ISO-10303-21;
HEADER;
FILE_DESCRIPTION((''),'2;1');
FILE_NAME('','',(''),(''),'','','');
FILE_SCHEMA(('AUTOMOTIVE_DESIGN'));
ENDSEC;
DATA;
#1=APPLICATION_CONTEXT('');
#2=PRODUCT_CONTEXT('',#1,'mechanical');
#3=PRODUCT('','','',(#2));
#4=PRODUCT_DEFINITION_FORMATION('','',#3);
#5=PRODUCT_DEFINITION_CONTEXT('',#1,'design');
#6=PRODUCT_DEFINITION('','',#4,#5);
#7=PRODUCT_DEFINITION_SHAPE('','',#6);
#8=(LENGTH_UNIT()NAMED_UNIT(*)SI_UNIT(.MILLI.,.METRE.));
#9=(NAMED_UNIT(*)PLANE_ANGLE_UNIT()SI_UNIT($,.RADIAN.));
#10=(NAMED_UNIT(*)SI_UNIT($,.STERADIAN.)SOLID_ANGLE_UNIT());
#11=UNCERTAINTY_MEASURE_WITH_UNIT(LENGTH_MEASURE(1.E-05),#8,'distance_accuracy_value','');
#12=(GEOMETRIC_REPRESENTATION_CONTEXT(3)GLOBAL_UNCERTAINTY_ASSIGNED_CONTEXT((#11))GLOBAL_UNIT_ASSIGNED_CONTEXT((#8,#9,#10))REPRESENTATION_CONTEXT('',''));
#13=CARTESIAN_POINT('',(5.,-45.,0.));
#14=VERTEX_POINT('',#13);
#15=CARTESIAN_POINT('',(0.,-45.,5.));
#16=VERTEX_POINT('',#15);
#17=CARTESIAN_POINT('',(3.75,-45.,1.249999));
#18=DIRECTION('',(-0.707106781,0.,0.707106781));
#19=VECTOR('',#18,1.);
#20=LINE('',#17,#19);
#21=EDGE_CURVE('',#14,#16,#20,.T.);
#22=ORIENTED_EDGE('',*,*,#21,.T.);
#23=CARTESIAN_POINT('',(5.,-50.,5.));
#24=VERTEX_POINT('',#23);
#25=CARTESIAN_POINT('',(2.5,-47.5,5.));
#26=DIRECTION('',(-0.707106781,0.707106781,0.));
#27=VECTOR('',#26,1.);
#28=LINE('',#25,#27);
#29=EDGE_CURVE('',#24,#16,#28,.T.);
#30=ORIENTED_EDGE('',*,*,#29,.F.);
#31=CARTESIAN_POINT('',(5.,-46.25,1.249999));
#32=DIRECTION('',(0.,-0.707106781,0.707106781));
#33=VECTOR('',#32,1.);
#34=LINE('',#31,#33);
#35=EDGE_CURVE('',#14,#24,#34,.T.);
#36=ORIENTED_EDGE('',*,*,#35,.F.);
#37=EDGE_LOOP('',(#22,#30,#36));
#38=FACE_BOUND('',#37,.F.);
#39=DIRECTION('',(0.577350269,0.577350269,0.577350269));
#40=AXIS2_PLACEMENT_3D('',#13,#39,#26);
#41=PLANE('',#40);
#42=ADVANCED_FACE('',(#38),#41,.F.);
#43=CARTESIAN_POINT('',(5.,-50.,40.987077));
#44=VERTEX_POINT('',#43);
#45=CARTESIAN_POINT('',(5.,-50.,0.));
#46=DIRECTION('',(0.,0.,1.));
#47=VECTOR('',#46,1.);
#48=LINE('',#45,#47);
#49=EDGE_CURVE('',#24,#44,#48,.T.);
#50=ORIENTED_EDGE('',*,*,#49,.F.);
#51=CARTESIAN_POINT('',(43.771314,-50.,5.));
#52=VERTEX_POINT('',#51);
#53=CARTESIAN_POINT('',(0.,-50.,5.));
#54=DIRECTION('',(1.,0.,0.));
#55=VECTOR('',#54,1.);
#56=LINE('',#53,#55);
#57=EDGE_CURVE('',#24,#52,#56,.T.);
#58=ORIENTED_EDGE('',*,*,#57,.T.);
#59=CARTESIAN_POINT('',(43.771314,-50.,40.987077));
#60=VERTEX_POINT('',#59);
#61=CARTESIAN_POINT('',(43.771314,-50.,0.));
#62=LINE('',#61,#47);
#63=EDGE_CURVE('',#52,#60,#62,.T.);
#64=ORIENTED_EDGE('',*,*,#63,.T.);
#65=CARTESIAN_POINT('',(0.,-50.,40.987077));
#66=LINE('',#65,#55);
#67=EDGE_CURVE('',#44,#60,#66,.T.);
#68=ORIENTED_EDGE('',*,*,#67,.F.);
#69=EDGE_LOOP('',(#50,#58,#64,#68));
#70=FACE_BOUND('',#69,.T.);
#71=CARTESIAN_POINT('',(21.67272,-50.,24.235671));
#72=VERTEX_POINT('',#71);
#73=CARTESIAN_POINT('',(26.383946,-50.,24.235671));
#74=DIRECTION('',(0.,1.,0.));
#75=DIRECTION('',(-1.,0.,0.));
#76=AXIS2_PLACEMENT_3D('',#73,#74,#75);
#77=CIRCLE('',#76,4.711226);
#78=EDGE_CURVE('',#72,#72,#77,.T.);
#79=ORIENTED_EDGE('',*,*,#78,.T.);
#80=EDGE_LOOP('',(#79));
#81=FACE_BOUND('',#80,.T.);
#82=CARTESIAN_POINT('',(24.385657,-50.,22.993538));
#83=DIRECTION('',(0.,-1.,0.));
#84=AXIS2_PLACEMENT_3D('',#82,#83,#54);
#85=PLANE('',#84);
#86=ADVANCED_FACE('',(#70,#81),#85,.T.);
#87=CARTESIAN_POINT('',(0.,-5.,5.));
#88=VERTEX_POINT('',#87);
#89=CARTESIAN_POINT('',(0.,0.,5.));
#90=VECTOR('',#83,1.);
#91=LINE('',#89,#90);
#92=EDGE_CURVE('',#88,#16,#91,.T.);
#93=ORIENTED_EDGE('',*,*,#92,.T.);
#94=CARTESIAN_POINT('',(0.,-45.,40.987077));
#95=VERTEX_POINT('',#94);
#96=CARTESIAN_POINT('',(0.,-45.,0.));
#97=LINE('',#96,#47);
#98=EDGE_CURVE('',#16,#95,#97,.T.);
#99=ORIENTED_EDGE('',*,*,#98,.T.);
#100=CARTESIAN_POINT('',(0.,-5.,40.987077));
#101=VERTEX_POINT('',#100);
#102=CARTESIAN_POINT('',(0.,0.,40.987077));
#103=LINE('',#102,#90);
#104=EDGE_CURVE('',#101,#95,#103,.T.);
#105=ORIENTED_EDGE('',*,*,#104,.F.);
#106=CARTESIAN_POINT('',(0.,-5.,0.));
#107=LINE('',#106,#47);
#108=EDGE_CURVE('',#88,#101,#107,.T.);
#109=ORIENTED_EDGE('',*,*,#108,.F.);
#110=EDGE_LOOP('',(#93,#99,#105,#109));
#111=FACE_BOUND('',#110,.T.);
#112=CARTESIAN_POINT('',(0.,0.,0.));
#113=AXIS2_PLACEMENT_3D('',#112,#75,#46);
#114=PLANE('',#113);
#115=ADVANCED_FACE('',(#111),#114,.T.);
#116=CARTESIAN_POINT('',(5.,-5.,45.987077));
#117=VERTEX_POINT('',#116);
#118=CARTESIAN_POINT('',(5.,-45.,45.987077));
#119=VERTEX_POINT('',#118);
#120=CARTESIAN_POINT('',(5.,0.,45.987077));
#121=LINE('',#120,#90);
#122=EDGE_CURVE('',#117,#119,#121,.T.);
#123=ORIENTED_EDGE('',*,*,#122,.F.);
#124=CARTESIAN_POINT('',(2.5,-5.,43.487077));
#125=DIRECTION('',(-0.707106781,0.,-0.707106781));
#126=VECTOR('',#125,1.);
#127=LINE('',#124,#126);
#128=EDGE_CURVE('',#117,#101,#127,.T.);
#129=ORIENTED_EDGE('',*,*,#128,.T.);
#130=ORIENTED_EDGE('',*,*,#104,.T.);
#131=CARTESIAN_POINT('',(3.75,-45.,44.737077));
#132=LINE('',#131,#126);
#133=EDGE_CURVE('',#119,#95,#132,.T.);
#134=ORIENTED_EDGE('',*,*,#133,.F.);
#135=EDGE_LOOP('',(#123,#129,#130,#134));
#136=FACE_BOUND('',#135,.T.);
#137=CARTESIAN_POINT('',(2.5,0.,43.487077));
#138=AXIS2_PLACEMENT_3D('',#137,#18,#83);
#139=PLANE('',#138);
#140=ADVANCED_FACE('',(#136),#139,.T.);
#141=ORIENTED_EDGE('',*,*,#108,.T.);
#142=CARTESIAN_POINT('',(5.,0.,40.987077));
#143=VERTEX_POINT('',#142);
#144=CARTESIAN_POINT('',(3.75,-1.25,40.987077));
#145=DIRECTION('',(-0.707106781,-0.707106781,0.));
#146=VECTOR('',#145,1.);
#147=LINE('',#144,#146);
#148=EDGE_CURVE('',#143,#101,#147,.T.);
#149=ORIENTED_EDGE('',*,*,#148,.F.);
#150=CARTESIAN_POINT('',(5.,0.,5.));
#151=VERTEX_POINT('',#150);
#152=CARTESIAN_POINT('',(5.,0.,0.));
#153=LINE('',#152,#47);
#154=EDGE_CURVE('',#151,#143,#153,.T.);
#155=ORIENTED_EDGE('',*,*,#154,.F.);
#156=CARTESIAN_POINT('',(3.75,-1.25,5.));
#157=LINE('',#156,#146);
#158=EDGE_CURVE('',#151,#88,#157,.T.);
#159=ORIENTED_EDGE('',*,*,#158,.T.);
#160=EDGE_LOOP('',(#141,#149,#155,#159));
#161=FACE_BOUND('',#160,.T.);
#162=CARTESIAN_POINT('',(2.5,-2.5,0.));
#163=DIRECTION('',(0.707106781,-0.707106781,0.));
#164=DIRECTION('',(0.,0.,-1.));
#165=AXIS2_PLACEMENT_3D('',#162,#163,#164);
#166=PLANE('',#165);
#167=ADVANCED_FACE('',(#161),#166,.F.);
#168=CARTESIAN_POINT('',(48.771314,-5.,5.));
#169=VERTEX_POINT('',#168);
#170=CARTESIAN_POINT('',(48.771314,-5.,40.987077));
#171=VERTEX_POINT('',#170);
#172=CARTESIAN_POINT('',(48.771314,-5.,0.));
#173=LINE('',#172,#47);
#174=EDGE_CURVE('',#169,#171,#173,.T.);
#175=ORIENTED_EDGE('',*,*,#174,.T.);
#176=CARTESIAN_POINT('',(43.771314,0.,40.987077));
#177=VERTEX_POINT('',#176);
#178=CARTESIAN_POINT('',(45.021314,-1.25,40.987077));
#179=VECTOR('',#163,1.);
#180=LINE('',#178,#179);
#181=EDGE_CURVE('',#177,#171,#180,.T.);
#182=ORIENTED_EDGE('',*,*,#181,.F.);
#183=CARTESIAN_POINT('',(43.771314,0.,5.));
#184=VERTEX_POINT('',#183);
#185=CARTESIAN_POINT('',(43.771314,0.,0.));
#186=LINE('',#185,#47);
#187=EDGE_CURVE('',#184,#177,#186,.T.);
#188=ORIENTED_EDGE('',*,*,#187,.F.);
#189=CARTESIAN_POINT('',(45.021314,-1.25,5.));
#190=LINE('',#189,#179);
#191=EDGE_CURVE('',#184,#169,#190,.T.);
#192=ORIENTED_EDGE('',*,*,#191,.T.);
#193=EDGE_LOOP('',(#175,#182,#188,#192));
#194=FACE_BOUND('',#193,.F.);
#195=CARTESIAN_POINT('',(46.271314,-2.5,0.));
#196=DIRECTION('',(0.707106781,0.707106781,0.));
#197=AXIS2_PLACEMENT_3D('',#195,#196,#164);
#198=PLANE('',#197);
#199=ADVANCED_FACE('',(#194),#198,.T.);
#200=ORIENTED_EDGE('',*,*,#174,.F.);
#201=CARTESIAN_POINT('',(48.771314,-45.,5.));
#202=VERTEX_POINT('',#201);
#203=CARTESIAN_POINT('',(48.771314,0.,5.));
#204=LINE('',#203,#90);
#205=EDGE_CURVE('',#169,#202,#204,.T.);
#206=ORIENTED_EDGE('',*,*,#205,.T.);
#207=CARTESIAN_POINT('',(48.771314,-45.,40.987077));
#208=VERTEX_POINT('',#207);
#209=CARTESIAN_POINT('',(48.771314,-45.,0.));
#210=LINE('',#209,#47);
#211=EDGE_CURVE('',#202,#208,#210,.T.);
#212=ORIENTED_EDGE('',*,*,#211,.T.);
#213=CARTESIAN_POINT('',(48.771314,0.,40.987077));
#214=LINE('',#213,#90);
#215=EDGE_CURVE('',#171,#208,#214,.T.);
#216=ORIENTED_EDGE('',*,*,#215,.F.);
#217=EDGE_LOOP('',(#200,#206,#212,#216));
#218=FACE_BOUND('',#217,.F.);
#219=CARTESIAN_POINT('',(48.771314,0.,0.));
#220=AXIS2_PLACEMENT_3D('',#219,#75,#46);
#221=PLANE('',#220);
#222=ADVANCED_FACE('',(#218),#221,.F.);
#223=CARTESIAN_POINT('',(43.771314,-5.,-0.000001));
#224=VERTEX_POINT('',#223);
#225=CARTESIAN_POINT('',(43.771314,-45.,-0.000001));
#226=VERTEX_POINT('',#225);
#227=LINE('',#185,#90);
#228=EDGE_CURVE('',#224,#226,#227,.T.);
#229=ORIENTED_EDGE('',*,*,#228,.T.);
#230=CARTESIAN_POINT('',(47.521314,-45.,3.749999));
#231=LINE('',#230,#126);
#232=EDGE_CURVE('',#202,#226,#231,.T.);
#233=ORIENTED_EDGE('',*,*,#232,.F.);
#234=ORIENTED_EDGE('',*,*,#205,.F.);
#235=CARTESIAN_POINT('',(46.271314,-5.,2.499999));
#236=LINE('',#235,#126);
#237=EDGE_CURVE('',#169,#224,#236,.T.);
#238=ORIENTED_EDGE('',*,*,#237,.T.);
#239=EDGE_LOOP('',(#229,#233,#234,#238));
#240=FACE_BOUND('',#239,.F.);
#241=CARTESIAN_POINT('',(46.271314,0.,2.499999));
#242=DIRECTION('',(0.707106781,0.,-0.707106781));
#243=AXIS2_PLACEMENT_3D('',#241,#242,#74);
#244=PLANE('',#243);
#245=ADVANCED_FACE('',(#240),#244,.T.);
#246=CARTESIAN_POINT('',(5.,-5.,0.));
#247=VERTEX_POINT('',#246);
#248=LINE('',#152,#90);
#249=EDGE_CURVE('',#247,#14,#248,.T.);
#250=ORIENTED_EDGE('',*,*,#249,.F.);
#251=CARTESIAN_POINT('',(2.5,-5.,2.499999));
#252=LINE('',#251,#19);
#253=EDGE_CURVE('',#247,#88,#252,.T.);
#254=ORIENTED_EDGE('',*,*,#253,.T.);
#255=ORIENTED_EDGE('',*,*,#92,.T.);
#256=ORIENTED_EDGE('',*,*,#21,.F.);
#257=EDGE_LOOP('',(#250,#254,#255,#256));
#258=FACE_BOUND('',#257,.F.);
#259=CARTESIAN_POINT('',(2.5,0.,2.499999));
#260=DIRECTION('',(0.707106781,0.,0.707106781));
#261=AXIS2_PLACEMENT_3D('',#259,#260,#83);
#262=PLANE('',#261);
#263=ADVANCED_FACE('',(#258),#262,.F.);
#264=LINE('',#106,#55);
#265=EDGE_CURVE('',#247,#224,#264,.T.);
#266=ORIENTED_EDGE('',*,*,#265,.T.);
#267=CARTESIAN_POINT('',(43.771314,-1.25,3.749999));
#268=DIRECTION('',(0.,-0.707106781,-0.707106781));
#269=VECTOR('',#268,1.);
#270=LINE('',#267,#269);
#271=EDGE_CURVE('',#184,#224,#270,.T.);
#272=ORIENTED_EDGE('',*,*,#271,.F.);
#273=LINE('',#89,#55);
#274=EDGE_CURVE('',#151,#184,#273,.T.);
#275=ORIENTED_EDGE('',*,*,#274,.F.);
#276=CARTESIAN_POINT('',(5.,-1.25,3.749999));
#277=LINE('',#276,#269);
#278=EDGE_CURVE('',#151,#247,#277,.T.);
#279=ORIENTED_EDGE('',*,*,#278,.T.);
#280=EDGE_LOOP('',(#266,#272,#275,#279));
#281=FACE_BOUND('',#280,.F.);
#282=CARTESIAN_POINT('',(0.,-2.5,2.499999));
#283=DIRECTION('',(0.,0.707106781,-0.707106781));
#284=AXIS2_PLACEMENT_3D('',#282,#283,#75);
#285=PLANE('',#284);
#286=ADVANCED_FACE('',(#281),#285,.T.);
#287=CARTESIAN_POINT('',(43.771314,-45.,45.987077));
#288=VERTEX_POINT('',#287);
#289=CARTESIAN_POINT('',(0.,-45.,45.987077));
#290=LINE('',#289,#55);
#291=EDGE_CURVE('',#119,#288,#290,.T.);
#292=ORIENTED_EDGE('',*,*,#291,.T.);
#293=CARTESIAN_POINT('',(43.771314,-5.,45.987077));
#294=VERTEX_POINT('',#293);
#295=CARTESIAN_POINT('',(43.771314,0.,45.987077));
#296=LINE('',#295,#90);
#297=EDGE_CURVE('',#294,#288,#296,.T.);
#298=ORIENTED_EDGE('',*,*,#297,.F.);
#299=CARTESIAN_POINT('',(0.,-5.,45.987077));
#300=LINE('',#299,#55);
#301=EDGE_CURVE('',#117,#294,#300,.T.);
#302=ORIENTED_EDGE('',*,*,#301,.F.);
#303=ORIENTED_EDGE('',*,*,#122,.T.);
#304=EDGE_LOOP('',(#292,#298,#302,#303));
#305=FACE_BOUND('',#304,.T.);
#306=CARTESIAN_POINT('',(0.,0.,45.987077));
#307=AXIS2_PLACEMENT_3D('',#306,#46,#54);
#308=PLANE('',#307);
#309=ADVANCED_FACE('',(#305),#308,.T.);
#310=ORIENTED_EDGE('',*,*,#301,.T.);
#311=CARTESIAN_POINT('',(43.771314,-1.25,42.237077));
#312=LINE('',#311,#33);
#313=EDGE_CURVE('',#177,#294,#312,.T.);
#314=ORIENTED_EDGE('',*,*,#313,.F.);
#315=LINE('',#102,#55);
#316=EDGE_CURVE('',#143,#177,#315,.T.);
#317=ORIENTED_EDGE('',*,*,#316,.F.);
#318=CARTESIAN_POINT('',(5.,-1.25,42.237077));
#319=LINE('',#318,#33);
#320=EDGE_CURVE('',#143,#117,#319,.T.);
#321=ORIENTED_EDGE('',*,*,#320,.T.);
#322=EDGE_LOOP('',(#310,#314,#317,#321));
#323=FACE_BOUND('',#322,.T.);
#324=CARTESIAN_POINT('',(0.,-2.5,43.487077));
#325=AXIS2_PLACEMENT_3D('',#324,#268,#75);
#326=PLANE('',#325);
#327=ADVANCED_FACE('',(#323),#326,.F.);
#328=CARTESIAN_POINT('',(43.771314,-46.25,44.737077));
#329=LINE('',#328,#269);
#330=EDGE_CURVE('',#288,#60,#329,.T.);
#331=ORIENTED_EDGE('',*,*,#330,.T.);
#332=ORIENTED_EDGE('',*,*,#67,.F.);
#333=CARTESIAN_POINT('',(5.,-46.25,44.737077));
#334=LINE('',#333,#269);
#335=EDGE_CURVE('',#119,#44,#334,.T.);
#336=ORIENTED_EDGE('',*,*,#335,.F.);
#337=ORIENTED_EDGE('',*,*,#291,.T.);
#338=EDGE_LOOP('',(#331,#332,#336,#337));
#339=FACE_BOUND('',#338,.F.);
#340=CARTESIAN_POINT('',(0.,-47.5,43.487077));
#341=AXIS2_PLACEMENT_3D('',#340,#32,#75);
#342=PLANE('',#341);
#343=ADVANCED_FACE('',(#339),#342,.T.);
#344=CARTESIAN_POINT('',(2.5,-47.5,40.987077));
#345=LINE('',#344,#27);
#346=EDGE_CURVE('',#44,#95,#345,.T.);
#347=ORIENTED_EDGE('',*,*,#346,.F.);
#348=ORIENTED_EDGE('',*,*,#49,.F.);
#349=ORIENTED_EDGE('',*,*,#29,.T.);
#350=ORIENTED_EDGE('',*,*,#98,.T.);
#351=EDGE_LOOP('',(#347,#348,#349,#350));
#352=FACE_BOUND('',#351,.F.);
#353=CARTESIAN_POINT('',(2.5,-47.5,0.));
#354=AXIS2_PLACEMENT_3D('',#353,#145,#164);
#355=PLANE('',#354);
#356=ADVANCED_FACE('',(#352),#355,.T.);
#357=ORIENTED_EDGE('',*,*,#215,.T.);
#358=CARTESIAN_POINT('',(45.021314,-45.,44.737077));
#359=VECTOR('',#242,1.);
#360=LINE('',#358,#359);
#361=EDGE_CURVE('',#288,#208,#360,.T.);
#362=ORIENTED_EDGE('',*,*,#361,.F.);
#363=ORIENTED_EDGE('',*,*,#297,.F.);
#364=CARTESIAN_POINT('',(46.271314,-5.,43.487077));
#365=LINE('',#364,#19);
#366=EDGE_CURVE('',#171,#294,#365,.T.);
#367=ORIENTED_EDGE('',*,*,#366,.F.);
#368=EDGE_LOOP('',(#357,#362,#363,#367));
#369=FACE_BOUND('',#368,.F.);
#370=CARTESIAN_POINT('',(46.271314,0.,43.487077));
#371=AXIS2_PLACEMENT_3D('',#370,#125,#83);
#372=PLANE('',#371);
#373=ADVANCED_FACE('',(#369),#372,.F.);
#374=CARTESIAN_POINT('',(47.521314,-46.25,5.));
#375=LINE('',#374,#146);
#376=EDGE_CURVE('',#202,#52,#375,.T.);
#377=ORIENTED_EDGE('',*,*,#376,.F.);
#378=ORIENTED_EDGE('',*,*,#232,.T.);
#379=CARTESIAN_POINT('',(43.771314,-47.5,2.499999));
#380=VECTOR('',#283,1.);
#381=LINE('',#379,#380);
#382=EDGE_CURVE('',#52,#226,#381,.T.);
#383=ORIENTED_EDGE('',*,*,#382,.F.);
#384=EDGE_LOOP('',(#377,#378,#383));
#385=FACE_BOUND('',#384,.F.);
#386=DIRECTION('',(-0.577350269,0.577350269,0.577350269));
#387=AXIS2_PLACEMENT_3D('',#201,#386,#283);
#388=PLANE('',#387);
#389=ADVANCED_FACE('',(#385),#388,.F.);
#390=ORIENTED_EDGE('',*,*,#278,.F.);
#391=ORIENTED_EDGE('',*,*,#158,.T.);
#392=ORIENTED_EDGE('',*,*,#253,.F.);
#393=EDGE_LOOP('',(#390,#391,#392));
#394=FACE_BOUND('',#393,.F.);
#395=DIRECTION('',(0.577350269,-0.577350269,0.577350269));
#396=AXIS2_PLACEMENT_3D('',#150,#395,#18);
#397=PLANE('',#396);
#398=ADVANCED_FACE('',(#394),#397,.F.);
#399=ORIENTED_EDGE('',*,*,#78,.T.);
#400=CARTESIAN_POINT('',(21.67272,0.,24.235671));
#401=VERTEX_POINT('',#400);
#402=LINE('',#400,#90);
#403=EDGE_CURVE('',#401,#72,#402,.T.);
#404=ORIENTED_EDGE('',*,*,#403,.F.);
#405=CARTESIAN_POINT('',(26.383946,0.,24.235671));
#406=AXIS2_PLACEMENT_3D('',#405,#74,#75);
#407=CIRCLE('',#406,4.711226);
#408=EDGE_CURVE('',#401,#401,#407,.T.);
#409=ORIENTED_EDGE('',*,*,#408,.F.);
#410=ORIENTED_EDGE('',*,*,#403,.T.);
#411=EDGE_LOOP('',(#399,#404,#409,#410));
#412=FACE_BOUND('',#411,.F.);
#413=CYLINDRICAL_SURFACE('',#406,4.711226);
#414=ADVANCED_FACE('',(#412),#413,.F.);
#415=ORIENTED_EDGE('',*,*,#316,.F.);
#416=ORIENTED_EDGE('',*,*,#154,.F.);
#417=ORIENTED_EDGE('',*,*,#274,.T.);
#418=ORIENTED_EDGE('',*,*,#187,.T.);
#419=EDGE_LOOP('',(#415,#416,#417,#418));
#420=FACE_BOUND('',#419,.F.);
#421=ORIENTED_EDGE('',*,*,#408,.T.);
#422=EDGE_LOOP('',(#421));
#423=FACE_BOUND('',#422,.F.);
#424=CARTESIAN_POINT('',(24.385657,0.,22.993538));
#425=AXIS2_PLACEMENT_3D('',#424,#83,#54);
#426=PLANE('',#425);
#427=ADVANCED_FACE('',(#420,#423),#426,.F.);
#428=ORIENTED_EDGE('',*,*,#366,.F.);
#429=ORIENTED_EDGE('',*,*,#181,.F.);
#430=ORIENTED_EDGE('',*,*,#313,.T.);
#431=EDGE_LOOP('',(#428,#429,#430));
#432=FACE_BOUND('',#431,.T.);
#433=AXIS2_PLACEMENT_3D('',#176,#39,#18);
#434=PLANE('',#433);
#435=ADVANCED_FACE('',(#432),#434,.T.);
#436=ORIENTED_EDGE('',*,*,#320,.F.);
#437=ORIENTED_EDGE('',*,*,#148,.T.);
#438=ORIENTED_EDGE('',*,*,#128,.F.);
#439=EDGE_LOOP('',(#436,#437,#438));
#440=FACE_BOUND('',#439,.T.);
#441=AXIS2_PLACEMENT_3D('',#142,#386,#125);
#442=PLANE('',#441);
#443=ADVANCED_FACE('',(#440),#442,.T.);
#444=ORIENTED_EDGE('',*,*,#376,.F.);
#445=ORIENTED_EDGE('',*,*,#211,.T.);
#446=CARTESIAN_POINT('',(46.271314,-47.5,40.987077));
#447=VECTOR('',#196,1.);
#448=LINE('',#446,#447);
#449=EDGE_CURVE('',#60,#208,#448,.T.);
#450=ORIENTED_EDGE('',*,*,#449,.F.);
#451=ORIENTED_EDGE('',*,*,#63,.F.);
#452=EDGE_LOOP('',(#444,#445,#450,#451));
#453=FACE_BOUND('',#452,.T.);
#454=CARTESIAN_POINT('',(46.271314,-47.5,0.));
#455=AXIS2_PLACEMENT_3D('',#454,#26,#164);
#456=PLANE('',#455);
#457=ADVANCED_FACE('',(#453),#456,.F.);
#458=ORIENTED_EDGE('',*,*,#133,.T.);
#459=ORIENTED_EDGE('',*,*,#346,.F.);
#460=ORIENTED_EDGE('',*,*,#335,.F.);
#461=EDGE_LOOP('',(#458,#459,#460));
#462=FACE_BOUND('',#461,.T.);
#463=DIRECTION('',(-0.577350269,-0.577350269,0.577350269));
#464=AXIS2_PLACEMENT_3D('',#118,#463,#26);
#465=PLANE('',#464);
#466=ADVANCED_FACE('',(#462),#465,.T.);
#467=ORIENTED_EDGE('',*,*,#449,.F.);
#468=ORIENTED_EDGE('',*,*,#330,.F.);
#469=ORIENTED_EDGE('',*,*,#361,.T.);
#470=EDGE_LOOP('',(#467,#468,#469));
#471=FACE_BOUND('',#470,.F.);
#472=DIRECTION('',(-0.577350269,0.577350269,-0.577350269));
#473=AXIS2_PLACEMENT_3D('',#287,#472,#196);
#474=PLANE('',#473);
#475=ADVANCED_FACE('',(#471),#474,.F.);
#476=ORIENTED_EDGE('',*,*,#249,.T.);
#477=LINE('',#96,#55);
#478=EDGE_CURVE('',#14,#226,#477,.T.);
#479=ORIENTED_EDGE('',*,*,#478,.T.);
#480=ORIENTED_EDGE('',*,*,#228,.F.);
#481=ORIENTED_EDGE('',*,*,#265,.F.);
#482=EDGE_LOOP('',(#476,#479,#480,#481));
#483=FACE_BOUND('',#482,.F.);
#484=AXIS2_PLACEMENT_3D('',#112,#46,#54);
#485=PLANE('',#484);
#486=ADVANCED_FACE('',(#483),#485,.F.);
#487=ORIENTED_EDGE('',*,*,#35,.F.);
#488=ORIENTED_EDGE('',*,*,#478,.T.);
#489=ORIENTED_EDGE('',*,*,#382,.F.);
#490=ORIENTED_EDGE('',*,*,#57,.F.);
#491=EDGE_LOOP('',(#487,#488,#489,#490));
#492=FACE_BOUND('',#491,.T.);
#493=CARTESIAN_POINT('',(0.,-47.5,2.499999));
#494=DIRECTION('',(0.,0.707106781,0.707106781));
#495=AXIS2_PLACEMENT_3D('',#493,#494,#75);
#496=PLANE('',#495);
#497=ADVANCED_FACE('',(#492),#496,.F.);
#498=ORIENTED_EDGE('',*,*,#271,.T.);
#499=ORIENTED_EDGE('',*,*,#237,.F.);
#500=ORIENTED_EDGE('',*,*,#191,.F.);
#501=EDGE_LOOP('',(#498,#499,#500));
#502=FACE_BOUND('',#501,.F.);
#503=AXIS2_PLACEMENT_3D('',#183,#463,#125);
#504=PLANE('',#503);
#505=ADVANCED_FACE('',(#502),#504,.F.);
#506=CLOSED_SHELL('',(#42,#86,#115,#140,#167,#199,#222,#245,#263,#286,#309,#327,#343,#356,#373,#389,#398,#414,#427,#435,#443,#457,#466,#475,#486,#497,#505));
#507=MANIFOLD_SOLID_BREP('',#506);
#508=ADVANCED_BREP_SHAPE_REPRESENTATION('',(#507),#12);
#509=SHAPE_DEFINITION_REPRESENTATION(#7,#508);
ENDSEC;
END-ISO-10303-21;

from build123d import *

# Parameters (mm, degrees)
F0_W     = 48.771314
F0_H     = 45.987077
F1_DEPTH = 50
F2_SIZE  = 5
F3_R     = 4.711226
F4_DEPTH = 50.001


with BuildPart() as f1:
    # F0 (on Front) → F1 (new body)
    with BuildSketch(Plane.XZ):
        with Locations((24.385657, 22.993538)):
            Rectangle(F0_W, F0_H)
    extrude(amount=F1_DEPTH)

    # F2
    f2_edges = [f1.edges().sort_by_distance(p)[0] for p in [
        (0, -50, 22.993539),
        (24.385657, -50, 0),
        (48.771314, -50, 22.993539),
        (24.385657, -50, 45.987077),
        (48.771314, -25, 0),
        (48.771314, -25, 45.987077),
        (48.771314, 0, 22.993539),
        (0, -25, 45.987077),
        (24.385657, 0, 45.987077),
        (0, -25, 0),
        (24.385657, 0, 0),
        (0, 0, 22.993539),
    ]]
    chamfer(f2_edges, length=F2_SIZE)

    # F3 (on face) → F4 (cut, through all)
    with BuildSketch(Plane(origin=(0, 0, 0), x_dir=(-1, 0, 0), z_dir=(0, 1, 0))):
        with Locations((-26.383946, 24.235671)):
            Circle(F3_R)
    extrude(amount=-F4_DEPTH, mode=Mode.SUBTRACT)


solid = f1.part
